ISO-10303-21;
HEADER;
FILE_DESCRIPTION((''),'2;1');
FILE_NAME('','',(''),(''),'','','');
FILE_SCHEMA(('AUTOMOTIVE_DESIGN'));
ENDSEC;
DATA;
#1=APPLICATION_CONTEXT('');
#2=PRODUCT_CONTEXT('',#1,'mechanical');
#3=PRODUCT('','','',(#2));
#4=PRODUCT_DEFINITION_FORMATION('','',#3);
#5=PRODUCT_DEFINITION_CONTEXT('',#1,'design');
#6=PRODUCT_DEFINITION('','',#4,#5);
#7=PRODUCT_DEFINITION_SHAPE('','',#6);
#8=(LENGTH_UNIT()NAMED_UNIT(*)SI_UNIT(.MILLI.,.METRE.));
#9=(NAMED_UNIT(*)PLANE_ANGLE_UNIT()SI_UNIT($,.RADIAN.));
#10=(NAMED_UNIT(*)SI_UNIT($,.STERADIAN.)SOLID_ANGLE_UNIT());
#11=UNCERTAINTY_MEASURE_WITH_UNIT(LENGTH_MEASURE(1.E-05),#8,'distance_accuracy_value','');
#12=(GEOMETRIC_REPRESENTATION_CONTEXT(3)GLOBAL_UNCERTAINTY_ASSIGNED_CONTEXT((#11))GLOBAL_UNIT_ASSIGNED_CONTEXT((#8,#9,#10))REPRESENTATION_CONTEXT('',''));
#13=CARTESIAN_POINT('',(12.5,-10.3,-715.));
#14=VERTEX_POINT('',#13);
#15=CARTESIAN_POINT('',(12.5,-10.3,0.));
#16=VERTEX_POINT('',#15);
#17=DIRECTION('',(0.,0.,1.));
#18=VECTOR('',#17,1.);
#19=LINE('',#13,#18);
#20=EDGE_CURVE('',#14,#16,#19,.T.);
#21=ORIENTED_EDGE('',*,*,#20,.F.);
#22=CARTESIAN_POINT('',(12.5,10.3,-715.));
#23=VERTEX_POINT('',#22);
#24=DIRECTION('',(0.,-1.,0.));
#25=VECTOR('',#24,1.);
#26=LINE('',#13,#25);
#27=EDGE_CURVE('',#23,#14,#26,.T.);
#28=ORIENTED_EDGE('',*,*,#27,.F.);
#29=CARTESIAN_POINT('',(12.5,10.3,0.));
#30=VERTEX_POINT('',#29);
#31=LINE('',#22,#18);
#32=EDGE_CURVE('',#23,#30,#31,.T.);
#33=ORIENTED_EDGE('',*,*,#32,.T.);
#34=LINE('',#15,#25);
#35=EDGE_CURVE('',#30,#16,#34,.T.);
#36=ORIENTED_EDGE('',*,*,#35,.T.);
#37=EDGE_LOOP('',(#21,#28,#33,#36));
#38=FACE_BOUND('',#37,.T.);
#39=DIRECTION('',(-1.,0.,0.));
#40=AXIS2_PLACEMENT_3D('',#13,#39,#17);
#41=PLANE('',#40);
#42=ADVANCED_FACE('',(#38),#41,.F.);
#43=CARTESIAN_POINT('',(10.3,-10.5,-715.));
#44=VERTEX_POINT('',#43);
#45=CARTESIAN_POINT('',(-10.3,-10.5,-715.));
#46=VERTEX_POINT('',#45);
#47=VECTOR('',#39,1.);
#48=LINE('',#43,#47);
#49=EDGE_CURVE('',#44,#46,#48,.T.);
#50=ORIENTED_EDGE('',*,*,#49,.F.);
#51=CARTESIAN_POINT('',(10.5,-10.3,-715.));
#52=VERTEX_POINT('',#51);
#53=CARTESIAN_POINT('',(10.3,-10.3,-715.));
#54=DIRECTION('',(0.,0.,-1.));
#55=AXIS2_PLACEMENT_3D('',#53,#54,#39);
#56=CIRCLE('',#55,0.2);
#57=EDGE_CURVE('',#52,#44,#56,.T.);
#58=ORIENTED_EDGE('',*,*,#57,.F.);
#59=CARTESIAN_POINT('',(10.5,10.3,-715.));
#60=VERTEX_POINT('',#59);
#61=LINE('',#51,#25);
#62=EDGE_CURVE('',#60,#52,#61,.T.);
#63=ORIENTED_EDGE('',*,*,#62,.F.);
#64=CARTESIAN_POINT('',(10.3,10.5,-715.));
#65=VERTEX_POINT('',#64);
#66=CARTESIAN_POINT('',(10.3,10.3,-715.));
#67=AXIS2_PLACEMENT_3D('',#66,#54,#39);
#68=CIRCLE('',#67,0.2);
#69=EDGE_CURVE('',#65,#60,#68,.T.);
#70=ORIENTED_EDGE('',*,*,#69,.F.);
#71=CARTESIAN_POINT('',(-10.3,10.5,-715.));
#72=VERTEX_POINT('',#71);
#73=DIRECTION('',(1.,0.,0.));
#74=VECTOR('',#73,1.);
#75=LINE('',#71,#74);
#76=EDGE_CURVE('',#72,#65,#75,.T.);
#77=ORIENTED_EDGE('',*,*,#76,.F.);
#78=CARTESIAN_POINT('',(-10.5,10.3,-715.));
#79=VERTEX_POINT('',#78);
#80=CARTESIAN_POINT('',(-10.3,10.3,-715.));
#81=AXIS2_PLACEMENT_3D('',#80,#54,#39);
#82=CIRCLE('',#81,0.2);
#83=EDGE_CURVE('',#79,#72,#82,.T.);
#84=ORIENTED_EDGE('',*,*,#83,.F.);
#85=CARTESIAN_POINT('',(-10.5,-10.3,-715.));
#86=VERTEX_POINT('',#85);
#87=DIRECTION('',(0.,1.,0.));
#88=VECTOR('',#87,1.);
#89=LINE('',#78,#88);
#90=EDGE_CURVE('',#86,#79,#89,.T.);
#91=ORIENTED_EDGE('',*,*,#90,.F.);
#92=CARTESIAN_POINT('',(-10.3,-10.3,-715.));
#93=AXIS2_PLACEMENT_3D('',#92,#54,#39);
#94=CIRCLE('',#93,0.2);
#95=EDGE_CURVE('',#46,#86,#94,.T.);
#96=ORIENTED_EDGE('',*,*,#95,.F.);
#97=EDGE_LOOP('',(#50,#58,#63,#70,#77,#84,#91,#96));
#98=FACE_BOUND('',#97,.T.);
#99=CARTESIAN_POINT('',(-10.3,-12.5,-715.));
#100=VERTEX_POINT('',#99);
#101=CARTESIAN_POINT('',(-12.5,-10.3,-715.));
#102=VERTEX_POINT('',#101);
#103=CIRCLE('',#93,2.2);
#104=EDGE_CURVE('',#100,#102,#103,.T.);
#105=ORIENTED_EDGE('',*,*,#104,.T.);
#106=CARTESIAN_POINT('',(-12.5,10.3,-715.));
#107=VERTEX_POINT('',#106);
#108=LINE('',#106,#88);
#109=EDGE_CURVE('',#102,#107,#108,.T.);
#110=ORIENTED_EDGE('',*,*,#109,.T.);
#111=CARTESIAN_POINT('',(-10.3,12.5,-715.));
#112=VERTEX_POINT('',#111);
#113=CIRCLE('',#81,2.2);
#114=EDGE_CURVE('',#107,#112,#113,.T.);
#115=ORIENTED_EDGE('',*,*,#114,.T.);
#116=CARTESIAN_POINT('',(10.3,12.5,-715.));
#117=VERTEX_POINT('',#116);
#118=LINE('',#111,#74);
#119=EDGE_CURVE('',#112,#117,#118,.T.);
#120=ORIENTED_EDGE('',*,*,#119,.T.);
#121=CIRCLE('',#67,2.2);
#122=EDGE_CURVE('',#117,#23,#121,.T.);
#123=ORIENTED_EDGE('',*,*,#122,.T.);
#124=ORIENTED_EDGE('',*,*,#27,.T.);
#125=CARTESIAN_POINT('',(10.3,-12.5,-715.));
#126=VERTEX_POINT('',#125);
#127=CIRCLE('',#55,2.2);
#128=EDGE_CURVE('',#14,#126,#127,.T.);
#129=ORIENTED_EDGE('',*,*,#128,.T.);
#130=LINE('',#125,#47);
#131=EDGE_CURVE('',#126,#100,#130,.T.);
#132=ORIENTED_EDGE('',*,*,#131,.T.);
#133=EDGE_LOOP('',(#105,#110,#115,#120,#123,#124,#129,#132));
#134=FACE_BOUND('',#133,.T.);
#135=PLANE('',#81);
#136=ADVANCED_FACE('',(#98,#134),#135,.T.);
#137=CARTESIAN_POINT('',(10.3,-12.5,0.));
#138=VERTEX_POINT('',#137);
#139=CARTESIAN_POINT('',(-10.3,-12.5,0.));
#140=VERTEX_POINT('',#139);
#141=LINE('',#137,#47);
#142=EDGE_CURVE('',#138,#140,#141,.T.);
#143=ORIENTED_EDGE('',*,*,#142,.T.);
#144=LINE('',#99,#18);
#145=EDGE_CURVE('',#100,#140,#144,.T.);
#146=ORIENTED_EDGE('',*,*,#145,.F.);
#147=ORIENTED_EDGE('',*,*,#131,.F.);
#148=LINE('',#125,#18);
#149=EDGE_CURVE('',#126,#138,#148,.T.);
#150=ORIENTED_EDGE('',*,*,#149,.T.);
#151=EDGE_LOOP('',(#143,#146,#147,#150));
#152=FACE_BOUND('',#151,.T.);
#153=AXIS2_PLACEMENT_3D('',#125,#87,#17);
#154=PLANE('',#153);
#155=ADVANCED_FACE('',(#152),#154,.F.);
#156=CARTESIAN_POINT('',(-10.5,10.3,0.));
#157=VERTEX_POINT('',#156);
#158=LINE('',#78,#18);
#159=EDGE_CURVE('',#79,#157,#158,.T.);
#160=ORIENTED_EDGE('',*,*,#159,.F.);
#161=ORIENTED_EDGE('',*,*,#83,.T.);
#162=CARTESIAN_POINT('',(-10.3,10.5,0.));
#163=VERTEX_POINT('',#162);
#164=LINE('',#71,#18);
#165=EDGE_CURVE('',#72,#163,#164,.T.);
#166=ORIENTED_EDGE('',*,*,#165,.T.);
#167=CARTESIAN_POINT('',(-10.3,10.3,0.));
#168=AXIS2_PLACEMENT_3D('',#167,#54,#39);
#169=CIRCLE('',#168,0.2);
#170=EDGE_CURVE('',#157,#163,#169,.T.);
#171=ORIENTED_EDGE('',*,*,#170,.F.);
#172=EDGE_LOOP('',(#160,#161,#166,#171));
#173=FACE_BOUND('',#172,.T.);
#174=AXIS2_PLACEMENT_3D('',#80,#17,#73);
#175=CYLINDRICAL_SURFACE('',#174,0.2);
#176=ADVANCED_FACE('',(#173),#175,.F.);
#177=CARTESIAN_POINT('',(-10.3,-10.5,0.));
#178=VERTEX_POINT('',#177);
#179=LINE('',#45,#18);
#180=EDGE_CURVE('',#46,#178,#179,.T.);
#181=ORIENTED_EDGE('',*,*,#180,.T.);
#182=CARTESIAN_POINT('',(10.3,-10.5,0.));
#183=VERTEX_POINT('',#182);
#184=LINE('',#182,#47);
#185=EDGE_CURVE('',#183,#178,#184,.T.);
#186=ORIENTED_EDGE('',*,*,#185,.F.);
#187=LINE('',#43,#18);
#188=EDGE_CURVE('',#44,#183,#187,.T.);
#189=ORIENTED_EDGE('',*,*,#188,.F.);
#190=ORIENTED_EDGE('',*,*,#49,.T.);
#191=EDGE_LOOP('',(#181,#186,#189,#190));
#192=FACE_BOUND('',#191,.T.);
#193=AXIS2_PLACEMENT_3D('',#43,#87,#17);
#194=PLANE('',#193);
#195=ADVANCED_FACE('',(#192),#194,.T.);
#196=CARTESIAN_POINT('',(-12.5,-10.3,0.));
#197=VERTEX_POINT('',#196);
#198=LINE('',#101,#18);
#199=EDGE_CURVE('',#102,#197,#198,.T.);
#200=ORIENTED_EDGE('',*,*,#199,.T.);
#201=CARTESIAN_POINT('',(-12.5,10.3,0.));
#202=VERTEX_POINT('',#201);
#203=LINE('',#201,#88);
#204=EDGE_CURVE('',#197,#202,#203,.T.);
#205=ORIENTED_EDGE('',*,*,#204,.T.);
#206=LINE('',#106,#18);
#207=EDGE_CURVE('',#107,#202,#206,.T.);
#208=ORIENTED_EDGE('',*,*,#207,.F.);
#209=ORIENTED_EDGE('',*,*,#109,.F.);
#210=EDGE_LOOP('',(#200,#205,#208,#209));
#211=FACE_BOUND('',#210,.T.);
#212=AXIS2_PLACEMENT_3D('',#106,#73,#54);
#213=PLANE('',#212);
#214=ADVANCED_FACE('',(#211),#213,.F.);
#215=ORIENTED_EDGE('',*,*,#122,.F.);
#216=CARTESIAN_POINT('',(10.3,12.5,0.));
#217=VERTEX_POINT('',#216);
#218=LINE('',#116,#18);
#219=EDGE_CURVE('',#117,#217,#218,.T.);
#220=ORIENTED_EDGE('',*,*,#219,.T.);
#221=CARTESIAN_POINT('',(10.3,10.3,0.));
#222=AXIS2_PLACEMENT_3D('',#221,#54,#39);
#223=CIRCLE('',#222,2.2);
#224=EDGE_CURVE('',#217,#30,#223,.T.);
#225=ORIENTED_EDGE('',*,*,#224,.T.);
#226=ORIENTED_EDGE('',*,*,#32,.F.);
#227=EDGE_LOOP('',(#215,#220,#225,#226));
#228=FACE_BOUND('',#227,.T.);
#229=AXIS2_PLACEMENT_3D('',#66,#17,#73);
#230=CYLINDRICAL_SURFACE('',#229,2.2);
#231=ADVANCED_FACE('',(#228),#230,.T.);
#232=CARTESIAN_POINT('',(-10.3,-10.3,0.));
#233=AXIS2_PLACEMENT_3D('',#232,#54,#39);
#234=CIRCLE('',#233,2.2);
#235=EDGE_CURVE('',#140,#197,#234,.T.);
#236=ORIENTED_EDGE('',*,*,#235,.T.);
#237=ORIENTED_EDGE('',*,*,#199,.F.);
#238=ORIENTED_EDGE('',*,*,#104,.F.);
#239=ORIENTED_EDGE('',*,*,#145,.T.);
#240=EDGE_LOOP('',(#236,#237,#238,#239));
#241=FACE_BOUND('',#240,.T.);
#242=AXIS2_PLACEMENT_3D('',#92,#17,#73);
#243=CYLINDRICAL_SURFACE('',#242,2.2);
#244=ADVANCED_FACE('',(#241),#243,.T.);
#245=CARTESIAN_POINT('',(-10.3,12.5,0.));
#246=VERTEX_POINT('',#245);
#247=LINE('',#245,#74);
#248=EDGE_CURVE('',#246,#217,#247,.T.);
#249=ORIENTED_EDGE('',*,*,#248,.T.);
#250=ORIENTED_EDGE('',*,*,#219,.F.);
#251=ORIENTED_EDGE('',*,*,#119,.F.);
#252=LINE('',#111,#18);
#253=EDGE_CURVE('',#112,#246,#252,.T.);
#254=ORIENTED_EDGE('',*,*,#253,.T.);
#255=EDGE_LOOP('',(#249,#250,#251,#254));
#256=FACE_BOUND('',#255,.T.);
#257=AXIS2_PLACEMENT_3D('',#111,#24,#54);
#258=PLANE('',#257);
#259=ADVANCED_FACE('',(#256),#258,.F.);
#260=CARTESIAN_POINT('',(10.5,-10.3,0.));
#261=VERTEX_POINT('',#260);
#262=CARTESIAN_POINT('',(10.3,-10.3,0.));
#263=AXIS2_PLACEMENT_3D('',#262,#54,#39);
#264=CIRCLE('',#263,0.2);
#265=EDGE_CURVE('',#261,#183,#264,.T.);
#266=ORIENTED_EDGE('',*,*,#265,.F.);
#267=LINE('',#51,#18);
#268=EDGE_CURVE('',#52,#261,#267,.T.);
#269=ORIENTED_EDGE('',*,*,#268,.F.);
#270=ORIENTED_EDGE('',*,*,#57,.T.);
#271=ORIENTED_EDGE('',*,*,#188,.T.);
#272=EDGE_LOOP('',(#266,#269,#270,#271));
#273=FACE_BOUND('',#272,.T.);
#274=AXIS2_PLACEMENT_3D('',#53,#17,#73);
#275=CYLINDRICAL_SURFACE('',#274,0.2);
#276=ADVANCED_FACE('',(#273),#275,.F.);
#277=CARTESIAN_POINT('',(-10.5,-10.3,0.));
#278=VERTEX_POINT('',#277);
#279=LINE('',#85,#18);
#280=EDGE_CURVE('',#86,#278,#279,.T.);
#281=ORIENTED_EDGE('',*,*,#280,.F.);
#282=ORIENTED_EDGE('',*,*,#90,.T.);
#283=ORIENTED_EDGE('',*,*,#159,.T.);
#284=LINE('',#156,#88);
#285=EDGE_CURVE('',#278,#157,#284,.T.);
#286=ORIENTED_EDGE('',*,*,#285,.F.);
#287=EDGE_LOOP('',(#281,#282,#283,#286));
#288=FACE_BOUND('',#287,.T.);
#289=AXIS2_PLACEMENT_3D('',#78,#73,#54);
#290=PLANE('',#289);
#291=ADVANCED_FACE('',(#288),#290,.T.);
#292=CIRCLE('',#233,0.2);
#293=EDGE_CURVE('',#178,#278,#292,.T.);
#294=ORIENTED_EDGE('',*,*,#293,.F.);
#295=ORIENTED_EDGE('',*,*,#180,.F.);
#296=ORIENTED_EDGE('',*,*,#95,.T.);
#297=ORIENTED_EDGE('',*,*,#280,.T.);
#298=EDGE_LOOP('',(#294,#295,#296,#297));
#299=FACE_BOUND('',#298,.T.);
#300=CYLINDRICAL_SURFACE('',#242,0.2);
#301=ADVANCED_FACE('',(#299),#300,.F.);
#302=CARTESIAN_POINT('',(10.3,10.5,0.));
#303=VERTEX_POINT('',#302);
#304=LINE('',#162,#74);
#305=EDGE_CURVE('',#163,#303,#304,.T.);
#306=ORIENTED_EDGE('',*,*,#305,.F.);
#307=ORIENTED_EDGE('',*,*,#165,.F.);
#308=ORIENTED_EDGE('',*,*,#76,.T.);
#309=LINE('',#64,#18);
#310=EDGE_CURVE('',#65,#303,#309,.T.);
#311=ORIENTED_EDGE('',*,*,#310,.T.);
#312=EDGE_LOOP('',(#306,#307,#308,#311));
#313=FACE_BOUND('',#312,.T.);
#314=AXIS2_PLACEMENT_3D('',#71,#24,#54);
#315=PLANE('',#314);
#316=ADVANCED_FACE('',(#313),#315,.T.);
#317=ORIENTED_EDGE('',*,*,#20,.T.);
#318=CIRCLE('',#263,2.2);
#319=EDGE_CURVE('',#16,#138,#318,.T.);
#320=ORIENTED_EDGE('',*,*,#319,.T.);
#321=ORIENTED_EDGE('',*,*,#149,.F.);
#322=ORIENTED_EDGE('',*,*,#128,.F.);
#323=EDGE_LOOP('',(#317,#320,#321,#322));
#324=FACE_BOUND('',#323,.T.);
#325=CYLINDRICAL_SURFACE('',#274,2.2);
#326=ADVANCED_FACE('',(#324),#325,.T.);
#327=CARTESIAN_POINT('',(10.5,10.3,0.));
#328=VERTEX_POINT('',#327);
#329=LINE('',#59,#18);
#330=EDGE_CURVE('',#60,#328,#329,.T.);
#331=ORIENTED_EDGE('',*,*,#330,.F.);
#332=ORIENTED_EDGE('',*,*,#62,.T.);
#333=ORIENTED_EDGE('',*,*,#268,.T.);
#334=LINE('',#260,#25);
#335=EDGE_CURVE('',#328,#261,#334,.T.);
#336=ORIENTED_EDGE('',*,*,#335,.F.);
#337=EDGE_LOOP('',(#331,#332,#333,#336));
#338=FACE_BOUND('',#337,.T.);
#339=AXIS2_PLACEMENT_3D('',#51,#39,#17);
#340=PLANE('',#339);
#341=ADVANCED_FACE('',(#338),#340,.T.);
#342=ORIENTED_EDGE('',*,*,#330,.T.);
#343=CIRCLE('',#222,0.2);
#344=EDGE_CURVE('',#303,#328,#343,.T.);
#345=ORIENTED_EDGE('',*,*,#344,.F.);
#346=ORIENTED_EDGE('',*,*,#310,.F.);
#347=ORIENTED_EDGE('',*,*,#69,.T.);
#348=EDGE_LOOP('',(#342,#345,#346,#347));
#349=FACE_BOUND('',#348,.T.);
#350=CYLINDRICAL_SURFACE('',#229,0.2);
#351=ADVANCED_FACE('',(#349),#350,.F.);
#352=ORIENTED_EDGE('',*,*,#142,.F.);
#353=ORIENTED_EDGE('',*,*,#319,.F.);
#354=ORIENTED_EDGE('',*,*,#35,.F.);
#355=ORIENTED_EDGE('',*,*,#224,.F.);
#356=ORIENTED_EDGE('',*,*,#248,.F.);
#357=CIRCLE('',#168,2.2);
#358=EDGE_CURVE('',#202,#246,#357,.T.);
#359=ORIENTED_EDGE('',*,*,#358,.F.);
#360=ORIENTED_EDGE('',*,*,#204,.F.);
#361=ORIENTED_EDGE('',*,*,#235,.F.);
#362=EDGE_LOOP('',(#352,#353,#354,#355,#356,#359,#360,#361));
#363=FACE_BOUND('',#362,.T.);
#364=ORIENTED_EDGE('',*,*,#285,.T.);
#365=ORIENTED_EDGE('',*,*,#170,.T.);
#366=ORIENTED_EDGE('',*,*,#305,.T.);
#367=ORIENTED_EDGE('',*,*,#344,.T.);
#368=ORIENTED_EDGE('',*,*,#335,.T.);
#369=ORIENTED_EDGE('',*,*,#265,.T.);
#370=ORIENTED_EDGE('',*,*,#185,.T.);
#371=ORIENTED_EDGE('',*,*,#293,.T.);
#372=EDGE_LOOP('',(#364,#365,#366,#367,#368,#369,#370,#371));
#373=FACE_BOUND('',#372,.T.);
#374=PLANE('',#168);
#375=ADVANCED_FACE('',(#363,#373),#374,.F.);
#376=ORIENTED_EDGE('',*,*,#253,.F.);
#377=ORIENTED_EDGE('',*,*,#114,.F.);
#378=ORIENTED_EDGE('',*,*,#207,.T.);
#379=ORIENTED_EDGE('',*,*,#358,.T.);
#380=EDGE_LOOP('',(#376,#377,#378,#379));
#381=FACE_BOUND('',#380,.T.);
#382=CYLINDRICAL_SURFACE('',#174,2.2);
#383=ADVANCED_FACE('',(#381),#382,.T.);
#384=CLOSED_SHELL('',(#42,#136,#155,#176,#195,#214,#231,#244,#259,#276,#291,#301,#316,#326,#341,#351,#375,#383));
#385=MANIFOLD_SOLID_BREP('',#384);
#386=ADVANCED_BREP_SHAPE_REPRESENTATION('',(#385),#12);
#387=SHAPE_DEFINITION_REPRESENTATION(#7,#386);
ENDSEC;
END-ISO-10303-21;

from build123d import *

# Parameters (mm, degrees)
STRUCTURAL_MEMBER1_DEPTH = 715


with BuildPart() as part:
    # Sketch11 → Structural Member1 (new body)
    with BuildSketch(Plane(origin=(0, 0, 0), x_dir=(-1, 0, 0), z_dir=(0, 0, -1))):
        with BuildLine():
            Line((-10.3, -12.5), (10.3, -12.5))
            ThreePointArc((10.3, -12.5), (11.855634919, -11.855634919), (12.5, -10.3))
            Line((12.5, -10.3), (12.5, 10.3))
            ThreePointArc((12.5, 10.3), (11.855634919, 11.855634919), (10.3, 12.5))
            Line((10.3, 12.5), (-10.3, 12.5))
            ThreePointArc((-10.3, 12.5), (-11.855634919, 11.855634919), (-12.5, 10.3))
            Line((-12.5, 10.3), (-12.5, -10.3))
            ThreePointArc((-12.5, -10.3), (-11.855634919, -11.855634919), (-10.3, -12.5))
        make_face()
        with BuildLine():
            Line((-10.3, -10.5), (10.3, -10.5))
            ThreePointArc((10.3, -10.5), (10.441421356, -10.441421356), (10.5, -10.3))
            Line((10.5, -10.3), (10.5, 10.3))
            ThreePointArc((10.5, 10.3), (10.441421356, 10.441421356), (10.3, 10.5))
            Line((10.3, 10.5), (-10.3, 10.5))
            ThreePointArc((-10.3, 10.5), (-10.441421356, 10.441421356), (-10.5, 10.3))
            Line((-10.5, 10.3), (-10.5, -10.3))
            ThreePointArc((-10.5, -10.3), (-10.441421356, -10.441421356), (-10.3, -10.5))
        make_face(mode=Mode.SUBTRACT)
    extrude(amount=STRUCTURAL_MEMBER1_DEPTH)


solid = part.part
